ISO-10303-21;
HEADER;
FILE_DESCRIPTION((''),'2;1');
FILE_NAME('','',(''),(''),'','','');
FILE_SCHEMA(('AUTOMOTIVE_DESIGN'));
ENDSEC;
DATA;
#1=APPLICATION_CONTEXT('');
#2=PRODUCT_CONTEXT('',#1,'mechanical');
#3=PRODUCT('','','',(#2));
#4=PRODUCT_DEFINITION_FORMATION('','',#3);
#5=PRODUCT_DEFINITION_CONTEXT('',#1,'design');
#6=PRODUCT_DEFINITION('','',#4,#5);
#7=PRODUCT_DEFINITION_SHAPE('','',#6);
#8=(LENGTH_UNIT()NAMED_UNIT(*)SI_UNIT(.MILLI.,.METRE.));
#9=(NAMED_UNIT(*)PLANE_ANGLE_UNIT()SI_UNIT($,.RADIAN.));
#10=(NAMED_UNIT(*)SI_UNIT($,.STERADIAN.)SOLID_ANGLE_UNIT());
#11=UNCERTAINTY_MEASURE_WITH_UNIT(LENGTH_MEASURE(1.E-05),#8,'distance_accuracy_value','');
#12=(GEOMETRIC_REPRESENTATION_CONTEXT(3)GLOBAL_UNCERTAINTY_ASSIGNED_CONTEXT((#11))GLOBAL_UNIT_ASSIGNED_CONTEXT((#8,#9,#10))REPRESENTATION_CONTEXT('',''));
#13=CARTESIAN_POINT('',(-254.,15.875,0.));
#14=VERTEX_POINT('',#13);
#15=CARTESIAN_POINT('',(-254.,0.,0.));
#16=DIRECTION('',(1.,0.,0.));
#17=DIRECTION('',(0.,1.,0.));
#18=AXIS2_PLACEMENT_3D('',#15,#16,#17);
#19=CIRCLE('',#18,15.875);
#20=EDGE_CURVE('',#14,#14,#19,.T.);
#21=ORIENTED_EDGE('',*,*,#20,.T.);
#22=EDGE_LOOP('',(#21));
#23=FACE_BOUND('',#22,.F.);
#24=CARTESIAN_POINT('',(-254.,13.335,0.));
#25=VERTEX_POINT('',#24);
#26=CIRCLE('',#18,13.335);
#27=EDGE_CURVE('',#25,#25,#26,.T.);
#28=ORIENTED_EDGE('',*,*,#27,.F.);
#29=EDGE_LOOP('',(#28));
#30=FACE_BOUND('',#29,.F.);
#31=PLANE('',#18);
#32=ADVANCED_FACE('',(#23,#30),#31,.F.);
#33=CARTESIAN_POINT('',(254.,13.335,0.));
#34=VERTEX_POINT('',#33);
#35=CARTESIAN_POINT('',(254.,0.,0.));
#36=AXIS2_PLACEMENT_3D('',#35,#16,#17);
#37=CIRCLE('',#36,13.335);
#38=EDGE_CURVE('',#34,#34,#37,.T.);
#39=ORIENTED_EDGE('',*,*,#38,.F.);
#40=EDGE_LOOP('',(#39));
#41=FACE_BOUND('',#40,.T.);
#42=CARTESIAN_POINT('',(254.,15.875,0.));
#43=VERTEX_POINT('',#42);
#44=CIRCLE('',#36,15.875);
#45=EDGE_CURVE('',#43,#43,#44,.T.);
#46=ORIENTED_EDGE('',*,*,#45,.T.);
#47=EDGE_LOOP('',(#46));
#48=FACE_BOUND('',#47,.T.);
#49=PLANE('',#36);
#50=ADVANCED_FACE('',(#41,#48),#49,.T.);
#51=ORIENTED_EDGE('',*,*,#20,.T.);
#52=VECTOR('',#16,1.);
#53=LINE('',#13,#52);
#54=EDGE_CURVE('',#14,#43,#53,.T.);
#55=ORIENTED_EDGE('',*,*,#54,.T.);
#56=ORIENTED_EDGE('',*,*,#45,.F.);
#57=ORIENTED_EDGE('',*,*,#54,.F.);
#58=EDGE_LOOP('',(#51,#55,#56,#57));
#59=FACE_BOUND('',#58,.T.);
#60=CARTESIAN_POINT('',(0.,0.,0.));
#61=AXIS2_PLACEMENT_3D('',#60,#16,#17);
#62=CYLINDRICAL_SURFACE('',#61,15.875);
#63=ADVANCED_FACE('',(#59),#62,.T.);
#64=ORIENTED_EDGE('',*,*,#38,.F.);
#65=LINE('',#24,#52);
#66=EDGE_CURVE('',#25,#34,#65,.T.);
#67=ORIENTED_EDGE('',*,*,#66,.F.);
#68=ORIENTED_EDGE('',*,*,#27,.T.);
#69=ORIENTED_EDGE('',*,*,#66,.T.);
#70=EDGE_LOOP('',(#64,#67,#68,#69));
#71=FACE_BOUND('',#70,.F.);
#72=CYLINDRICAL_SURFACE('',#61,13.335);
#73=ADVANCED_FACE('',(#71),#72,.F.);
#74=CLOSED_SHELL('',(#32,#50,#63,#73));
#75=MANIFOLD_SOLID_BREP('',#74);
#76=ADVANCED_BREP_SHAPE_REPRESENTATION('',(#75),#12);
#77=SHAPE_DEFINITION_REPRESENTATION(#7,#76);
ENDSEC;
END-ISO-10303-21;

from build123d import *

# Parameters (mm, degrees)
F0_R     = 15.875
F1_DEPTH = 254
F2_T     = -2.54


with BuildPart() as f1:
    # F0 (on Right) → F1 (new body, symmetric)
    with BuildSketch(Plane.YZ):
        Circle(F0_R)
    extrude(amount=F1_DEPTH, both=True)

    # F2
    f2_openings = [f1.faces().sort_by_distance(p)[0] for p in [
        (254, 0, 0),
        (-254, 0, 0),
    ]]
    offset(amount=F2_T, openings=f2_openings)


solid = f1.part
